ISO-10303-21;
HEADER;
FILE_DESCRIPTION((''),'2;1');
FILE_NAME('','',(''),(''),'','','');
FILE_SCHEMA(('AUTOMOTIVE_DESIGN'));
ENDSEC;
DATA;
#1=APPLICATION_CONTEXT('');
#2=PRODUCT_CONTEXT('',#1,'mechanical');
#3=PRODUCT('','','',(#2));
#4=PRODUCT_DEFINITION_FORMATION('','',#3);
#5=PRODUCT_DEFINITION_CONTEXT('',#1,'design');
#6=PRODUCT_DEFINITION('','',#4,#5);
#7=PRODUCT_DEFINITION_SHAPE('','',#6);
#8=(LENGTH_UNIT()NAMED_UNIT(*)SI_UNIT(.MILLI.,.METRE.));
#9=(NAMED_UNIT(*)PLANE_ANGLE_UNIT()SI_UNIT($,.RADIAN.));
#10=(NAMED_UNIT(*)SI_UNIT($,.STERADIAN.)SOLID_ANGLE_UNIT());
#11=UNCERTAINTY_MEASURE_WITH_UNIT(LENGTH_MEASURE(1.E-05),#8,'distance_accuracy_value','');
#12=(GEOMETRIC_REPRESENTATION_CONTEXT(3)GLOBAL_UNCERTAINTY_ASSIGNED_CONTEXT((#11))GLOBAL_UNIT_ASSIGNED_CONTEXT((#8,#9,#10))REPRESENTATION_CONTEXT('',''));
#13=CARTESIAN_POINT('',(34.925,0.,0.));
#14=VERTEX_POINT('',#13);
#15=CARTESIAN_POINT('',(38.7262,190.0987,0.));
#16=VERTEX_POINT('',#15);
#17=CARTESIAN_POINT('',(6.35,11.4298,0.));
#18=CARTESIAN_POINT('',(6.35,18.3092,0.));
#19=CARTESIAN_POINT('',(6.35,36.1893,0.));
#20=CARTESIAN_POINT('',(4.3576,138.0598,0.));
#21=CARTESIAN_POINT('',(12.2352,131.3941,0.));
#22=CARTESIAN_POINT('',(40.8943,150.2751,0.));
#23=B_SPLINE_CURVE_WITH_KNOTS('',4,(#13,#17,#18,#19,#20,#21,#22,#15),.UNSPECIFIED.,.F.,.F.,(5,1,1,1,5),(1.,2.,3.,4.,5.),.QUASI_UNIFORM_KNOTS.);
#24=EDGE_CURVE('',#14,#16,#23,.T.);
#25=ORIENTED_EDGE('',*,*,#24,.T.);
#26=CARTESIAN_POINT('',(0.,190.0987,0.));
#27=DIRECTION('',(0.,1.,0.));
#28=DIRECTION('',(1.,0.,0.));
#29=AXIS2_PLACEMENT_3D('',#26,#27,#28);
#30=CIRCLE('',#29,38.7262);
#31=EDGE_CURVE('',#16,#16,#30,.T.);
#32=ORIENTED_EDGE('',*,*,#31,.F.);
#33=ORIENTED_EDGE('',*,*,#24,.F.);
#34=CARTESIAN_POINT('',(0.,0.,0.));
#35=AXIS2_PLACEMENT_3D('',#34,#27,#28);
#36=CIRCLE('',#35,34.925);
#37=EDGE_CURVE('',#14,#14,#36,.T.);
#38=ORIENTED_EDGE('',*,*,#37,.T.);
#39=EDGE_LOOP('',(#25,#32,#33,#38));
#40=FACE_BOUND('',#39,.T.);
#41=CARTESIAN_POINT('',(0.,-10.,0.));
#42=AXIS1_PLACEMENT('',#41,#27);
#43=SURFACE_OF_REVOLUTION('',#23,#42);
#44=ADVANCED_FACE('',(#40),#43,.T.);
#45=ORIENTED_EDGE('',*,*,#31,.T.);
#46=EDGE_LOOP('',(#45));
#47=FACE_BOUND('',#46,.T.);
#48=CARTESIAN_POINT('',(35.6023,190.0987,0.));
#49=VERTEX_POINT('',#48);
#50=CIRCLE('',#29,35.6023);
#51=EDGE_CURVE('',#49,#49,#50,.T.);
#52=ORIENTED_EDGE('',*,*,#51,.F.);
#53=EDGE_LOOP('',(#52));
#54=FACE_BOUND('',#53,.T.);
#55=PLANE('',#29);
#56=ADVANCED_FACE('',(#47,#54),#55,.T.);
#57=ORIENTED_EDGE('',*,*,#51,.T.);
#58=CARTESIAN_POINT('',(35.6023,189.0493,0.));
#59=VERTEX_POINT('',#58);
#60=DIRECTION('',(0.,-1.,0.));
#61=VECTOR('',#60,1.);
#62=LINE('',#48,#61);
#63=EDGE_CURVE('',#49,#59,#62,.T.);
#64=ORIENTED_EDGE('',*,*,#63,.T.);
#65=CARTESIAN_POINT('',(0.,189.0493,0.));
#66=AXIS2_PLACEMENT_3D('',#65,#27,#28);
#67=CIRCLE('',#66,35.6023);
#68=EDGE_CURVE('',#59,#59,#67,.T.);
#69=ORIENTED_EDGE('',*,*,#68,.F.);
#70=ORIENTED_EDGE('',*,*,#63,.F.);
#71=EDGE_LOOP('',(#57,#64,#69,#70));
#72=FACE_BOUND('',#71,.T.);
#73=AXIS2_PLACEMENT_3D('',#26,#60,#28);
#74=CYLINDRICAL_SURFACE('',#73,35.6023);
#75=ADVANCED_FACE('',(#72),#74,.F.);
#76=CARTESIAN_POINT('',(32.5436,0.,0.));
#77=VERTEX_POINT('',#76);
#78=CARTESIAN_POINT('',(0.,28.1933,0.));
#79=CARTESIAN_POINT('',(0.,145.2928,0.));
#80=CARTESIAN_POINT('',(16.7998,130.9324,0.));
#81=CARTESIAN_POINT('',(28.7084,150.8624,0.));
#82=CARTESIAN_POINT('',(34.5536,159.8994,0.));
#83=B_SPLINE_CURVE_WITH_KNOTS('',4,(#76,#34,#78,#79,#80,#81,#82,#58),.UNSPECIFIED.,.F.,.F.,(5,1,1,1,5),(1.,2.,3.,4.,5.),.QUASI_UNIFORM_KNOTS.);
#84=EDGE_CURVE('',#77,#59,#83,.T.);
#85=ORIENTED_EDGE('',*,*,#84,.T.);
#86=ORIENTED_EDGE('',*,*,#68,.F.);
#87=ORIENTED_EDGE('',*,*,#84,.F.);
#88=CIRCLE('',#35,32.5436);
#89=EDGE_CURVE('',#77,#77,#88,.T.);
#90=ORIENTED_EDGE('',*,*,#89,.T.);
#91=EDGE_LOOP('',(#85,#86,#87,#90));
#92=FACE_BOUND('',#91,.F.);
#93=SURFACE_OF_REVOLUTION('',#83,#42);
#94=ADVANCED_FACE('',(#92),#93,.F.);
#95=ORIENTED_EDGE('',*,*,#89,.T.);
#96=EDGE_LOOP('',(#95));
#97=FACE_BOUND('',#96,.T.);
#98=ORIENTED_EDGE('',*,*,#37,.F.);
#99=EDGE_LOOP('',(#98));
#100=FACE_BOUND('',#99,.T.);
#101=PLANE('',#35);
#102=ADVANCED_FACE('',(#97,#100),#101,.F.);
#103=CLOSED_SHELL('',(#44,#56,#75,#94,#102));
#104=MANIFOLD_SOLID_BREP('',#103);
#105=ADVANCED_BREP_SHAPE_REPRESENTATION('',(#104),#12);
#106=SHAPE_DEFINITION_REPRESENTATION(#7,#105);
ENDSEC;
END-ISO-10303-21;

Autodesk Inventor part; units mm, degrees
ref_plane "YZ Plane" through (0, 0, 0) normal (1, 0, 0) x (0, 1, 0)
ref_plane "XZ Plane" through (0, 0, 0) normal (0, 1, 0) x (-1, 0, 0)
ref_plane "XY Plane" through (0, 0, 0) normal (0, 0, 1) x (1, 0, 0)
sketch "Sketch2" plane through (0, 0, 0) normal (0, 0, 1) x (1, 0, 0)
  line L0 (34.925, 0) -> (6.35, 11.4298) construction
  line L1 (6.35, 11.4298) -> (6.35, 18.3092) construction
  line L2 (6.35, 18.3092) -> (6.35, 36.1893) construction
  line L3 (6.35, 36.1893) -> (4.3576, 138.0598) construction
  line L4 (4.3576, 138.0598) -> (12.2352, 131.3941) construction
  line L5 (12.2352, 131.3941) -> (40.8943, 150.2751) construction
  line L6 (40.8943, 150.2751) -> (38.7262, 190.0987) construction
  spline S0 degree 4 poles (34.925, 0) (6.35, 11.4298) (6.35, 18.3092) (6.35, 36.1893) (4.3576, 138.0598) (12.2352, 131.3941) (40.8943, 150.2751) (38.7262, 190.0987) knots 1 1 1 1 1 2 3 4 5 5 5 5 5
  line L7 (0, -41.1386) -> (0, 233.3749) projected
  line L8 (32.5436, 0) -> (0, 0) construction
  line L9 (0, 0) -> (0, 28.1933) construction
  line L10 (0, 28.1933) -> (0, 145.2928) construction
  line L11 (0, 145.2928) -> (16.7998, 130.9324) construction
  line L12 (16.7998, 130.9324) -> (28.7084, 150.8624) construction
  line L13 (28.7084, 150.8624) -> (34.5536, 159.8994) construction
  line L14 (34.5536, 159.8994) -> (35.6023, 189.0493) construction
  spline S1 degree 4 poles (32.5436, 0) (0, 0) (0, 28.1933) (0, 145.2928) (16.7998, 130.9324) (28.7084, 150.8624) (34.5536, 159.8994) (35.6023, 189.0493) knots 1 1 1 1 1 2 3 4 5 5 5 5 5
  line L15 (32.5436, 0) -> (34.925, 0)
  line L16 (38.7262, 190.0987) -> (35.6023, 190.0987)
  line L17 (35.6023, 190.0987) -> (35.6023, 189.0493)
  dimension "d7" = 6.35
revolve "Revolution1" add sketch "Sketch2" angle 360 about axis through (0, -10, 0) along (0, 1, 0)
properties part number "Wine Glass Placeholder"
